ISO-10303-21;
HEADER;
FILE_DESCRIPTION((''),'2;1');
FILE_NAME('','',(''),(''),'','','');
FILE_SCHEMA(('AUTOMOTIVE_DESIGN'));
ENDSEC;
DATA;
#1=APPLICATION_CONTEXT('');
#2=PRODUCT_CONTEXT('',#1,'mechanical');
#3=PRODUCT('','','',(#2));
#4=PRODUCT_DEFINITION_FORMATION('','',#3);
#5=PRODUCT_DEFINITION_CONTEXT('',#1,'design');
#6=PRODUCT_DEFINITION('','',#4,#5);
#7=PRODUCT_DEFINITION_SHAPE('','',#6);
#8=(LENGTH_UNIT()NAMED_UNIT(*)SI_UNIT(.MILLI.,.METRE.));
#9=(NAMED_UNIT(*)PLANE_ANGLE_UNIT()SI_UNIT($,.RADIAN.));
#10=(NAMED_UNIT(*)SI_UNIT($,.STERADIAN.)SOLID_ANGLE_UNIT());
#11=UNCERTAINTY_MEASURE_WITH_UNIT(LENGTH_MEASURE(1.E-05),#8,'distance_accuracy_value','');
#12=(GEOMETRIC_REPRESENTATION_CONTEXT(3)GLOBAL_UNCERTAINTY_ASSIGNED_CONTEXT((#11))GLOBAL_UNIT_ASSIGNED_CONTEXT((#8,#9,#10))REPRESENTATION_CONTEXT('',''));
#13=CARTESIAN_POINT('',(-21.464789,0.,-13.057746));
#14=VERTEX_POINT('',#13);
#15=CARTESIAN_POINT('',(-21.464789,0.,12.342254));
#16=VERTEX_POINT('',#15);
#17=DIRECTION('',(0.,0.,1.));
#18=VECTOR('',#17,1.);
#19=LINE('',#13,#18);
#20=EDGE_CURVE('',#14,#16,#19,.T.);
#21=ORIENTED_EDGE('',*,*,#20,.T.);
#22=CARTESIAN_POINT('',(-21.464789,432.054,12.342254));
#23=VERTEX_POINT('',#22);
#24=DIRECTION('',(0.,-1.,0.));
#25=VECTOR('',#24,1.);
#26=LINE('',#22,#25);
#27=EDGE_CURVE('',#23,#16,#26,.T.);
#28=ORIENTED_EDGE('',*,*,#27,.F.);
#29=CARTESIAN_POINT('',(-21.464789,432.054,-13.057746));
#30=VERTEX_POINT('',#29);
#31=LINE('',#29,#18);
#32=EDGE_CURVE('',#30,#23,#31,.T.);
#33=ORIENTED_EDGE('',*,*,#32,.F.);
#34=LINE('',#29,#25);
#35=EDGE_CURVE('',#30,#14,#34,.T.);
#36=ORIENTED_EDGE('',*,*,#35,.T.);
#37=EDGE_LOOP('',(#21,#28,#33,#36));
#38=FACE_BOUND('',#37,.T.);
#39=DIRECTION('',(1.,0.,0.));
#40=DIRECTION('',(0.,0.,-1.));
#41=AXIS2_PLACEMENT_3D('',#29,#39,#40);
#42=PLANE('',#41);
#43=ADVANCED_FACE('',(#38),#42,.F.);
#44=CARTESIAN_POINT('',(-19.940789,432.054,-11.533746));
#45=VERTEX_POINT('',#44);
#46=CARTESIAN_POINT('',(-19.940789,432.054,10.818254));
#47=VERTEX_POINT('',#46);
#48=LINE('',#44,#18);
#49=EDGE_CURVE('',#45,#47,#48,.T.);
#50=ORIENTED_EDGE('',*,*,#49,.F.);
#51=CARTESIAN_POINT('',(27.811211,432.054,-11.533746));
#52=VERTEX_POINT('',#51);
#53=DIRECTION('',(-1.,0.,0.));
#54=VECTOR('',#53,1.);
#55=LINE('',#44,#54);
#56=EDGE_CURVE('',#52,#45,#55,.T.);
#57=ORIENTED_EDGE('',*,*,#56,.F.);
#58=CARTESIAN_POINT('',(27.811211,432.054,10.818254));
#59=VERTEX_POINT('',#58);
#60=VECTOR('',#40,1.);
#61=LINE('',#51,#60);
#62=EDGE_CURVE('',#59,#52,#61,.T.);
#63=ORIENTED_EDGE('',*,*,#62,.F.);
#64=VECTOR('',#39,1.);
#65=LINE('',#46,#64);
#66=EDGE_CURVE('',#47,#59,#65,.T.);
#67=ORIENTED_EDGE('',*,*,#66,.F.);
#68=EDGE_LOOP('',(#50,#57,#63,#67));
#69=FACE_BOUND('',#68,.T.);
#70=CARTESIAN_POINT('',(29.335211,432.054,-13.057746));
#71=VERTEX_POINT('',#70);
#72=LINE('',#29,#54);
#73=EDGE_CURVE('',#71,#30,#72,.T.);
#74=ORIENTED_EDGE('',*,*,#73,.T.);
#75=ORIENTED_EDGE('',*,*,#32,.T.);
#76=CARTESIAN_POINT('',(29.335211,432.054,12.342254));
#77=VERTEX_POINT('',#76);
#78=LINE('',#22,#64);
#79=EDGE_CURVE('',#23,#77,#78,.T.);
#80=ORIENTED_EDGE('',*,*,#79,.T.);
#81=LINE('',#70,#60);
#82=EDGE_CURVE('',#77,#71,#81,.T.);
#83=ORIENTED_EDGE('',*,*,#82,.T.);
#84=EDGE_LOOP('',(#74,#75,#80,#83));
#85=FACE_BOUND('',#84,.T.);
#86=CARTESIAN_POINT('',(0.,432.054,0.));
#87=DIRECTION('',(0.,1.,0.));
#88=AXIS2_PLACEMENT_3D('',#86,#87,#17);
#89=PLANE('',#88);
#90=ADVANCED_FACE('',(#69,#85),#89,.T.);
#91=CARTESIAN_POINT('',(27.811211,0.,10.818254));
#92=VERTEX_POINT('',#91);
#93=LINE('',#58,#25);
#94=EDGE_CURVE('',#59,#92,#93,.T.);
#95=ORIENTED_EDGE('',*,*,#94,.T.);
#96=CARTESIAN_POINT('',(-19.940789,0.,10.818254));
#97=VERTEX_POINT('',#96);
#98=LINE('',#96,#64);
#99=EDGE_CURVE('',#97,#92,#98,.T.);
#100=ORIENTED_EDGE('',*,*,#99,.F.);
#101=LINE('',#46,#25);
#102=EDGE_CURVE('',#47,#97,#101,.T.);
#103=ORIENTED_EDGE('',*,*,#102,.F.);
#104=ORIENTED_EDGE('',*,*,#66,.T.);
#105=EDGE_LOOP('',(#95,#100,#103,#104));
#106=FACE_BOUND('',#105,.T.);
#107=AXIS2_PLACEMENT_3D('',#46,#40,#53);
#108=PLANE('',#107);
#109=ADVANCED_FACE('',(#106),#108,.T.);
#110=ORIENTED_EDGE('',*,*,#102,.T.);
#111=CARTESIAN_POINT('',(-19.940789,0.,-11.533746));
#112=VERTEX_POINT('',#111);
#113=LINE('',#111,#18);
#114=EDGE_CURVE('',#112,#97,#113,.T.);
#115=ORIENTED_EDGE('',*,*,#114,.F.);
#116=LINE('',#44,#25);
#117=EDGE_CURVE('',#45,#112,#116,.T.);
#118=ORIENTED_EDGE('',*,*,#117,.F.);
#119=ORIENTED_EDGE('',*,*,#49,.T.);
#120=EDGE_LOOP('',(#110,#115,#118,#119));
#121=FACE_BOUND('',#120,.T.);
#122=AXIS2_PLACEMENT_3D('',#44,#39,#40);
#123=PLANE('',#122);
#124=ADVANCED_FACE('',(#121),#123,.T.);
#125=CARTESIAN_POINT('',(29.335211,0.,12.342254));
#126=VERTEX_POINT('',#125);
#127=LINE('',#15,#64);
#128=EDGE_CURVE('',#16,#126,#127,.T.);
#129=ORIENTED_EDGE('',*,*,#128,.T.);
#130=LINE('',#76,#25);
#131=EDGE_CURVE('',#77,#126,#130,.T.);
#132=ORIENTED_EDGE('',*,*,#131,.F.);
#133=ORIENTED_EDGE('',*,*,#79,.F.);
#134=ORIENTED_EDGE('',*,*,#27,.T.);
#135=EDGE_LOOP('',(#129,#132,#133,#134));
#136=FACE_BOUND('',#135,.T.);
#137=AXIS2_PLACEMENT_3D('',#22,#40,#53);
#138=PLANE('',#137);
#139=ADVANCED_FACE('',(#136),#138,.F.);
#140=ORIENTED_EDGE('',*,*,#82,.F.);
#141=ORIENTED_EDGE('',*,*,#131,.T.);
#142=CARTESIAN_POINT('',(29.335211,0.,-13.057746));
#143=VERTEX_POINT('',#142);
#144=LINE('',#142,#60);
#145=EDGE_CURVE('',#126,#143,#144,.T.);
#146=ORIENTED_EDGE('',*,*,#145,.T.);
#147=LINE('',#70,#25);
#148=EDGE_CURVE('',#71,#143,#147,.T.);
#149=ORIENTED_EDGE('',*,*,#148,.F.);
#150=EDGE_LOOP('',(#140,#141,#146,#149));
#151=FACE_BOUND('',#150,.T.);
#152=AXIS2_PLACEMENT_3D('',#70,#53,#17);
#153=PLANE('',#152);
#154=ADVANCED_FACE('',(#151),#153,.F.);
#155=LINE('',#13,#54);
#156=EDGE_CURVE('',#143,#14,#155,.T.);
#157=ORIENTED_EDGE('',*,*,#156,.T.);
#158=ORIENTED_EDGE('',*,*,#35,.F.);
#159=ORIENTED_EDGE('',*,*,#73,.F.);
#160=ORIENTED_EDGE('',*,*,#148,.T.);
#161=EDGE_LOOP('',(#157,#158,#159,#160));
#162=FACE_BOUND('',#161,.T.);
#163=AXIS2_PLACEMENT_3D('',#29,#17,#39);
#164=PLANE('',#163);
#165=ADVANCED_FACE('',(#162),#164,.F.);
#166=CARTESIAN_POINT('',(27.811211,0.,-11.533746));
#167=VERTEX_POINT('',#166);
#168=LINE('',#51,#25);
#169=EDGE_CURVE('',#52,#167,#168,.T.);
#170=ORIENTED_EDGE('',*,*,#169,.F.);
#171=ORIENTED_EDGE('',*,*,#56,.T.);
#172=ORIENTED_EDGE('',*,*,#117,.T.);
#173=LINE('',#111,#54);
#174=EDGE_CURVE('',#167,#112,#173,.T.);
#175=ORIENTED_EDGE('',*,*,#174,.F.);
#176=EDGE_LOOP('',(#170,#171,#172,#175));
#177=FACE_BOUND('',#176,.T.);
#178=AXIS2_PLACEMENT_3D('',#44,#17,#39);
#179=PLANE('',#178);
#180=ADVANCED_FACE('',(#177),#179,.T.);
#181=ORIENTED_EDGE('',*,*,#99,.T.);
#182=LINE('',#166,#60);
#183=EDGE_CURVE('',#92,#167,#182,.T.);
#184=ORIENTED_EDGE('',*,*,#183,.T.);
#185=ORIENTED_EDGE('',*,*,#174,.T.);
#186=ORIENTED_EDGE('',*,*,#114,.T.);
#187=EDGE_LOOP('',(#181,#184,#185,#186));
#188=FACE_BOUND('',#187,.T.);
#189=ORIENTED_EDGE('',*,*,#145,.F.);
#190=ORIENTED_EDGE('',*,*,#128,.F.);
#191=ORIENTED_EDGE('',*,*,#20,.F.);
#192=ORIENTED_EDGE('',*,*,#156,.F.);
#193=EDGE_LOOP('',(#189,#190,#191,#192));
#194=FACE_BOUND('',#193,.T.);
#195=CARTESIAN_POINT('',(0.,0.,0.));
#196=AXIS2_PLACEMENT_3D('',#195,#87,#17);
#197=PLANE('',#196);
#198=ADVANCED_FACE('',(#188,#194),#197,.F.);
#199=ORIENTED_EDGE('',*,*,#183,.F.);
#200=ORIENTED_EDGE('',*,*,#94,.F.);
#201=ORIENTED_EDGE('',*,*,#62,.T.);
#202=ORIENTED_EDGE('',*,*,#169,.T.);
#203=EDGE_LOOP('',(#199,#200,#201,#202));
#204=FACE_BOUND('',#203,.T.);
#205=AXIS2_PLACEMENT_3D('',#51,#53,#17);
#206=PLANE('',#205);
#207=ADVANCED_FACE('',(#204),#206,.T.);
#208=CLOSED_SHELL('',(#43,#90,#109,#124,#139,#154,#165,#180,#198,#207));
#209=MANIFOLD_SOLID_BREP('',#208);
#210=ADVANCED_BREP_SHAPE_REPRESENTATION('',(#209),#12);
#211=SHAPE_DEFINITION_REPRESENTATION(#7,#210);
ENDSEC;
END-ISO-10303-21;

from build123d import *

# Parameters (mm, degrees)
SKETCH1_W           = 50.8
SKETCH1_H           = 25.4
SKETCH1_W_2         = 47.752
SKETCH1_H_2         = 22.352
BOSS_EXTRUDE1_DEPTH = 432.054


with BuildPart() as part:
    # Sketch1 → Boss-Extrude1 (new body)
    with BuildSketch(Plane(origin=(0, 0, 0), x_dir=(1, 0, 0), z_dir=(0, 1, 0))):
        with Locations((3.935211268, 0.357746479)):
            Rectangle(SKETCH1_W, SKETCH1_H)
        with Locations((3.935211268, 0.357746479)):
            Rectangle(SKETCH1_W_2, SKETCH1_H_2, mode=Mode.SUBTRACT)
    extrude(amount=BOSS_EXTRUDE1_DEPTH)


solid = part.part
